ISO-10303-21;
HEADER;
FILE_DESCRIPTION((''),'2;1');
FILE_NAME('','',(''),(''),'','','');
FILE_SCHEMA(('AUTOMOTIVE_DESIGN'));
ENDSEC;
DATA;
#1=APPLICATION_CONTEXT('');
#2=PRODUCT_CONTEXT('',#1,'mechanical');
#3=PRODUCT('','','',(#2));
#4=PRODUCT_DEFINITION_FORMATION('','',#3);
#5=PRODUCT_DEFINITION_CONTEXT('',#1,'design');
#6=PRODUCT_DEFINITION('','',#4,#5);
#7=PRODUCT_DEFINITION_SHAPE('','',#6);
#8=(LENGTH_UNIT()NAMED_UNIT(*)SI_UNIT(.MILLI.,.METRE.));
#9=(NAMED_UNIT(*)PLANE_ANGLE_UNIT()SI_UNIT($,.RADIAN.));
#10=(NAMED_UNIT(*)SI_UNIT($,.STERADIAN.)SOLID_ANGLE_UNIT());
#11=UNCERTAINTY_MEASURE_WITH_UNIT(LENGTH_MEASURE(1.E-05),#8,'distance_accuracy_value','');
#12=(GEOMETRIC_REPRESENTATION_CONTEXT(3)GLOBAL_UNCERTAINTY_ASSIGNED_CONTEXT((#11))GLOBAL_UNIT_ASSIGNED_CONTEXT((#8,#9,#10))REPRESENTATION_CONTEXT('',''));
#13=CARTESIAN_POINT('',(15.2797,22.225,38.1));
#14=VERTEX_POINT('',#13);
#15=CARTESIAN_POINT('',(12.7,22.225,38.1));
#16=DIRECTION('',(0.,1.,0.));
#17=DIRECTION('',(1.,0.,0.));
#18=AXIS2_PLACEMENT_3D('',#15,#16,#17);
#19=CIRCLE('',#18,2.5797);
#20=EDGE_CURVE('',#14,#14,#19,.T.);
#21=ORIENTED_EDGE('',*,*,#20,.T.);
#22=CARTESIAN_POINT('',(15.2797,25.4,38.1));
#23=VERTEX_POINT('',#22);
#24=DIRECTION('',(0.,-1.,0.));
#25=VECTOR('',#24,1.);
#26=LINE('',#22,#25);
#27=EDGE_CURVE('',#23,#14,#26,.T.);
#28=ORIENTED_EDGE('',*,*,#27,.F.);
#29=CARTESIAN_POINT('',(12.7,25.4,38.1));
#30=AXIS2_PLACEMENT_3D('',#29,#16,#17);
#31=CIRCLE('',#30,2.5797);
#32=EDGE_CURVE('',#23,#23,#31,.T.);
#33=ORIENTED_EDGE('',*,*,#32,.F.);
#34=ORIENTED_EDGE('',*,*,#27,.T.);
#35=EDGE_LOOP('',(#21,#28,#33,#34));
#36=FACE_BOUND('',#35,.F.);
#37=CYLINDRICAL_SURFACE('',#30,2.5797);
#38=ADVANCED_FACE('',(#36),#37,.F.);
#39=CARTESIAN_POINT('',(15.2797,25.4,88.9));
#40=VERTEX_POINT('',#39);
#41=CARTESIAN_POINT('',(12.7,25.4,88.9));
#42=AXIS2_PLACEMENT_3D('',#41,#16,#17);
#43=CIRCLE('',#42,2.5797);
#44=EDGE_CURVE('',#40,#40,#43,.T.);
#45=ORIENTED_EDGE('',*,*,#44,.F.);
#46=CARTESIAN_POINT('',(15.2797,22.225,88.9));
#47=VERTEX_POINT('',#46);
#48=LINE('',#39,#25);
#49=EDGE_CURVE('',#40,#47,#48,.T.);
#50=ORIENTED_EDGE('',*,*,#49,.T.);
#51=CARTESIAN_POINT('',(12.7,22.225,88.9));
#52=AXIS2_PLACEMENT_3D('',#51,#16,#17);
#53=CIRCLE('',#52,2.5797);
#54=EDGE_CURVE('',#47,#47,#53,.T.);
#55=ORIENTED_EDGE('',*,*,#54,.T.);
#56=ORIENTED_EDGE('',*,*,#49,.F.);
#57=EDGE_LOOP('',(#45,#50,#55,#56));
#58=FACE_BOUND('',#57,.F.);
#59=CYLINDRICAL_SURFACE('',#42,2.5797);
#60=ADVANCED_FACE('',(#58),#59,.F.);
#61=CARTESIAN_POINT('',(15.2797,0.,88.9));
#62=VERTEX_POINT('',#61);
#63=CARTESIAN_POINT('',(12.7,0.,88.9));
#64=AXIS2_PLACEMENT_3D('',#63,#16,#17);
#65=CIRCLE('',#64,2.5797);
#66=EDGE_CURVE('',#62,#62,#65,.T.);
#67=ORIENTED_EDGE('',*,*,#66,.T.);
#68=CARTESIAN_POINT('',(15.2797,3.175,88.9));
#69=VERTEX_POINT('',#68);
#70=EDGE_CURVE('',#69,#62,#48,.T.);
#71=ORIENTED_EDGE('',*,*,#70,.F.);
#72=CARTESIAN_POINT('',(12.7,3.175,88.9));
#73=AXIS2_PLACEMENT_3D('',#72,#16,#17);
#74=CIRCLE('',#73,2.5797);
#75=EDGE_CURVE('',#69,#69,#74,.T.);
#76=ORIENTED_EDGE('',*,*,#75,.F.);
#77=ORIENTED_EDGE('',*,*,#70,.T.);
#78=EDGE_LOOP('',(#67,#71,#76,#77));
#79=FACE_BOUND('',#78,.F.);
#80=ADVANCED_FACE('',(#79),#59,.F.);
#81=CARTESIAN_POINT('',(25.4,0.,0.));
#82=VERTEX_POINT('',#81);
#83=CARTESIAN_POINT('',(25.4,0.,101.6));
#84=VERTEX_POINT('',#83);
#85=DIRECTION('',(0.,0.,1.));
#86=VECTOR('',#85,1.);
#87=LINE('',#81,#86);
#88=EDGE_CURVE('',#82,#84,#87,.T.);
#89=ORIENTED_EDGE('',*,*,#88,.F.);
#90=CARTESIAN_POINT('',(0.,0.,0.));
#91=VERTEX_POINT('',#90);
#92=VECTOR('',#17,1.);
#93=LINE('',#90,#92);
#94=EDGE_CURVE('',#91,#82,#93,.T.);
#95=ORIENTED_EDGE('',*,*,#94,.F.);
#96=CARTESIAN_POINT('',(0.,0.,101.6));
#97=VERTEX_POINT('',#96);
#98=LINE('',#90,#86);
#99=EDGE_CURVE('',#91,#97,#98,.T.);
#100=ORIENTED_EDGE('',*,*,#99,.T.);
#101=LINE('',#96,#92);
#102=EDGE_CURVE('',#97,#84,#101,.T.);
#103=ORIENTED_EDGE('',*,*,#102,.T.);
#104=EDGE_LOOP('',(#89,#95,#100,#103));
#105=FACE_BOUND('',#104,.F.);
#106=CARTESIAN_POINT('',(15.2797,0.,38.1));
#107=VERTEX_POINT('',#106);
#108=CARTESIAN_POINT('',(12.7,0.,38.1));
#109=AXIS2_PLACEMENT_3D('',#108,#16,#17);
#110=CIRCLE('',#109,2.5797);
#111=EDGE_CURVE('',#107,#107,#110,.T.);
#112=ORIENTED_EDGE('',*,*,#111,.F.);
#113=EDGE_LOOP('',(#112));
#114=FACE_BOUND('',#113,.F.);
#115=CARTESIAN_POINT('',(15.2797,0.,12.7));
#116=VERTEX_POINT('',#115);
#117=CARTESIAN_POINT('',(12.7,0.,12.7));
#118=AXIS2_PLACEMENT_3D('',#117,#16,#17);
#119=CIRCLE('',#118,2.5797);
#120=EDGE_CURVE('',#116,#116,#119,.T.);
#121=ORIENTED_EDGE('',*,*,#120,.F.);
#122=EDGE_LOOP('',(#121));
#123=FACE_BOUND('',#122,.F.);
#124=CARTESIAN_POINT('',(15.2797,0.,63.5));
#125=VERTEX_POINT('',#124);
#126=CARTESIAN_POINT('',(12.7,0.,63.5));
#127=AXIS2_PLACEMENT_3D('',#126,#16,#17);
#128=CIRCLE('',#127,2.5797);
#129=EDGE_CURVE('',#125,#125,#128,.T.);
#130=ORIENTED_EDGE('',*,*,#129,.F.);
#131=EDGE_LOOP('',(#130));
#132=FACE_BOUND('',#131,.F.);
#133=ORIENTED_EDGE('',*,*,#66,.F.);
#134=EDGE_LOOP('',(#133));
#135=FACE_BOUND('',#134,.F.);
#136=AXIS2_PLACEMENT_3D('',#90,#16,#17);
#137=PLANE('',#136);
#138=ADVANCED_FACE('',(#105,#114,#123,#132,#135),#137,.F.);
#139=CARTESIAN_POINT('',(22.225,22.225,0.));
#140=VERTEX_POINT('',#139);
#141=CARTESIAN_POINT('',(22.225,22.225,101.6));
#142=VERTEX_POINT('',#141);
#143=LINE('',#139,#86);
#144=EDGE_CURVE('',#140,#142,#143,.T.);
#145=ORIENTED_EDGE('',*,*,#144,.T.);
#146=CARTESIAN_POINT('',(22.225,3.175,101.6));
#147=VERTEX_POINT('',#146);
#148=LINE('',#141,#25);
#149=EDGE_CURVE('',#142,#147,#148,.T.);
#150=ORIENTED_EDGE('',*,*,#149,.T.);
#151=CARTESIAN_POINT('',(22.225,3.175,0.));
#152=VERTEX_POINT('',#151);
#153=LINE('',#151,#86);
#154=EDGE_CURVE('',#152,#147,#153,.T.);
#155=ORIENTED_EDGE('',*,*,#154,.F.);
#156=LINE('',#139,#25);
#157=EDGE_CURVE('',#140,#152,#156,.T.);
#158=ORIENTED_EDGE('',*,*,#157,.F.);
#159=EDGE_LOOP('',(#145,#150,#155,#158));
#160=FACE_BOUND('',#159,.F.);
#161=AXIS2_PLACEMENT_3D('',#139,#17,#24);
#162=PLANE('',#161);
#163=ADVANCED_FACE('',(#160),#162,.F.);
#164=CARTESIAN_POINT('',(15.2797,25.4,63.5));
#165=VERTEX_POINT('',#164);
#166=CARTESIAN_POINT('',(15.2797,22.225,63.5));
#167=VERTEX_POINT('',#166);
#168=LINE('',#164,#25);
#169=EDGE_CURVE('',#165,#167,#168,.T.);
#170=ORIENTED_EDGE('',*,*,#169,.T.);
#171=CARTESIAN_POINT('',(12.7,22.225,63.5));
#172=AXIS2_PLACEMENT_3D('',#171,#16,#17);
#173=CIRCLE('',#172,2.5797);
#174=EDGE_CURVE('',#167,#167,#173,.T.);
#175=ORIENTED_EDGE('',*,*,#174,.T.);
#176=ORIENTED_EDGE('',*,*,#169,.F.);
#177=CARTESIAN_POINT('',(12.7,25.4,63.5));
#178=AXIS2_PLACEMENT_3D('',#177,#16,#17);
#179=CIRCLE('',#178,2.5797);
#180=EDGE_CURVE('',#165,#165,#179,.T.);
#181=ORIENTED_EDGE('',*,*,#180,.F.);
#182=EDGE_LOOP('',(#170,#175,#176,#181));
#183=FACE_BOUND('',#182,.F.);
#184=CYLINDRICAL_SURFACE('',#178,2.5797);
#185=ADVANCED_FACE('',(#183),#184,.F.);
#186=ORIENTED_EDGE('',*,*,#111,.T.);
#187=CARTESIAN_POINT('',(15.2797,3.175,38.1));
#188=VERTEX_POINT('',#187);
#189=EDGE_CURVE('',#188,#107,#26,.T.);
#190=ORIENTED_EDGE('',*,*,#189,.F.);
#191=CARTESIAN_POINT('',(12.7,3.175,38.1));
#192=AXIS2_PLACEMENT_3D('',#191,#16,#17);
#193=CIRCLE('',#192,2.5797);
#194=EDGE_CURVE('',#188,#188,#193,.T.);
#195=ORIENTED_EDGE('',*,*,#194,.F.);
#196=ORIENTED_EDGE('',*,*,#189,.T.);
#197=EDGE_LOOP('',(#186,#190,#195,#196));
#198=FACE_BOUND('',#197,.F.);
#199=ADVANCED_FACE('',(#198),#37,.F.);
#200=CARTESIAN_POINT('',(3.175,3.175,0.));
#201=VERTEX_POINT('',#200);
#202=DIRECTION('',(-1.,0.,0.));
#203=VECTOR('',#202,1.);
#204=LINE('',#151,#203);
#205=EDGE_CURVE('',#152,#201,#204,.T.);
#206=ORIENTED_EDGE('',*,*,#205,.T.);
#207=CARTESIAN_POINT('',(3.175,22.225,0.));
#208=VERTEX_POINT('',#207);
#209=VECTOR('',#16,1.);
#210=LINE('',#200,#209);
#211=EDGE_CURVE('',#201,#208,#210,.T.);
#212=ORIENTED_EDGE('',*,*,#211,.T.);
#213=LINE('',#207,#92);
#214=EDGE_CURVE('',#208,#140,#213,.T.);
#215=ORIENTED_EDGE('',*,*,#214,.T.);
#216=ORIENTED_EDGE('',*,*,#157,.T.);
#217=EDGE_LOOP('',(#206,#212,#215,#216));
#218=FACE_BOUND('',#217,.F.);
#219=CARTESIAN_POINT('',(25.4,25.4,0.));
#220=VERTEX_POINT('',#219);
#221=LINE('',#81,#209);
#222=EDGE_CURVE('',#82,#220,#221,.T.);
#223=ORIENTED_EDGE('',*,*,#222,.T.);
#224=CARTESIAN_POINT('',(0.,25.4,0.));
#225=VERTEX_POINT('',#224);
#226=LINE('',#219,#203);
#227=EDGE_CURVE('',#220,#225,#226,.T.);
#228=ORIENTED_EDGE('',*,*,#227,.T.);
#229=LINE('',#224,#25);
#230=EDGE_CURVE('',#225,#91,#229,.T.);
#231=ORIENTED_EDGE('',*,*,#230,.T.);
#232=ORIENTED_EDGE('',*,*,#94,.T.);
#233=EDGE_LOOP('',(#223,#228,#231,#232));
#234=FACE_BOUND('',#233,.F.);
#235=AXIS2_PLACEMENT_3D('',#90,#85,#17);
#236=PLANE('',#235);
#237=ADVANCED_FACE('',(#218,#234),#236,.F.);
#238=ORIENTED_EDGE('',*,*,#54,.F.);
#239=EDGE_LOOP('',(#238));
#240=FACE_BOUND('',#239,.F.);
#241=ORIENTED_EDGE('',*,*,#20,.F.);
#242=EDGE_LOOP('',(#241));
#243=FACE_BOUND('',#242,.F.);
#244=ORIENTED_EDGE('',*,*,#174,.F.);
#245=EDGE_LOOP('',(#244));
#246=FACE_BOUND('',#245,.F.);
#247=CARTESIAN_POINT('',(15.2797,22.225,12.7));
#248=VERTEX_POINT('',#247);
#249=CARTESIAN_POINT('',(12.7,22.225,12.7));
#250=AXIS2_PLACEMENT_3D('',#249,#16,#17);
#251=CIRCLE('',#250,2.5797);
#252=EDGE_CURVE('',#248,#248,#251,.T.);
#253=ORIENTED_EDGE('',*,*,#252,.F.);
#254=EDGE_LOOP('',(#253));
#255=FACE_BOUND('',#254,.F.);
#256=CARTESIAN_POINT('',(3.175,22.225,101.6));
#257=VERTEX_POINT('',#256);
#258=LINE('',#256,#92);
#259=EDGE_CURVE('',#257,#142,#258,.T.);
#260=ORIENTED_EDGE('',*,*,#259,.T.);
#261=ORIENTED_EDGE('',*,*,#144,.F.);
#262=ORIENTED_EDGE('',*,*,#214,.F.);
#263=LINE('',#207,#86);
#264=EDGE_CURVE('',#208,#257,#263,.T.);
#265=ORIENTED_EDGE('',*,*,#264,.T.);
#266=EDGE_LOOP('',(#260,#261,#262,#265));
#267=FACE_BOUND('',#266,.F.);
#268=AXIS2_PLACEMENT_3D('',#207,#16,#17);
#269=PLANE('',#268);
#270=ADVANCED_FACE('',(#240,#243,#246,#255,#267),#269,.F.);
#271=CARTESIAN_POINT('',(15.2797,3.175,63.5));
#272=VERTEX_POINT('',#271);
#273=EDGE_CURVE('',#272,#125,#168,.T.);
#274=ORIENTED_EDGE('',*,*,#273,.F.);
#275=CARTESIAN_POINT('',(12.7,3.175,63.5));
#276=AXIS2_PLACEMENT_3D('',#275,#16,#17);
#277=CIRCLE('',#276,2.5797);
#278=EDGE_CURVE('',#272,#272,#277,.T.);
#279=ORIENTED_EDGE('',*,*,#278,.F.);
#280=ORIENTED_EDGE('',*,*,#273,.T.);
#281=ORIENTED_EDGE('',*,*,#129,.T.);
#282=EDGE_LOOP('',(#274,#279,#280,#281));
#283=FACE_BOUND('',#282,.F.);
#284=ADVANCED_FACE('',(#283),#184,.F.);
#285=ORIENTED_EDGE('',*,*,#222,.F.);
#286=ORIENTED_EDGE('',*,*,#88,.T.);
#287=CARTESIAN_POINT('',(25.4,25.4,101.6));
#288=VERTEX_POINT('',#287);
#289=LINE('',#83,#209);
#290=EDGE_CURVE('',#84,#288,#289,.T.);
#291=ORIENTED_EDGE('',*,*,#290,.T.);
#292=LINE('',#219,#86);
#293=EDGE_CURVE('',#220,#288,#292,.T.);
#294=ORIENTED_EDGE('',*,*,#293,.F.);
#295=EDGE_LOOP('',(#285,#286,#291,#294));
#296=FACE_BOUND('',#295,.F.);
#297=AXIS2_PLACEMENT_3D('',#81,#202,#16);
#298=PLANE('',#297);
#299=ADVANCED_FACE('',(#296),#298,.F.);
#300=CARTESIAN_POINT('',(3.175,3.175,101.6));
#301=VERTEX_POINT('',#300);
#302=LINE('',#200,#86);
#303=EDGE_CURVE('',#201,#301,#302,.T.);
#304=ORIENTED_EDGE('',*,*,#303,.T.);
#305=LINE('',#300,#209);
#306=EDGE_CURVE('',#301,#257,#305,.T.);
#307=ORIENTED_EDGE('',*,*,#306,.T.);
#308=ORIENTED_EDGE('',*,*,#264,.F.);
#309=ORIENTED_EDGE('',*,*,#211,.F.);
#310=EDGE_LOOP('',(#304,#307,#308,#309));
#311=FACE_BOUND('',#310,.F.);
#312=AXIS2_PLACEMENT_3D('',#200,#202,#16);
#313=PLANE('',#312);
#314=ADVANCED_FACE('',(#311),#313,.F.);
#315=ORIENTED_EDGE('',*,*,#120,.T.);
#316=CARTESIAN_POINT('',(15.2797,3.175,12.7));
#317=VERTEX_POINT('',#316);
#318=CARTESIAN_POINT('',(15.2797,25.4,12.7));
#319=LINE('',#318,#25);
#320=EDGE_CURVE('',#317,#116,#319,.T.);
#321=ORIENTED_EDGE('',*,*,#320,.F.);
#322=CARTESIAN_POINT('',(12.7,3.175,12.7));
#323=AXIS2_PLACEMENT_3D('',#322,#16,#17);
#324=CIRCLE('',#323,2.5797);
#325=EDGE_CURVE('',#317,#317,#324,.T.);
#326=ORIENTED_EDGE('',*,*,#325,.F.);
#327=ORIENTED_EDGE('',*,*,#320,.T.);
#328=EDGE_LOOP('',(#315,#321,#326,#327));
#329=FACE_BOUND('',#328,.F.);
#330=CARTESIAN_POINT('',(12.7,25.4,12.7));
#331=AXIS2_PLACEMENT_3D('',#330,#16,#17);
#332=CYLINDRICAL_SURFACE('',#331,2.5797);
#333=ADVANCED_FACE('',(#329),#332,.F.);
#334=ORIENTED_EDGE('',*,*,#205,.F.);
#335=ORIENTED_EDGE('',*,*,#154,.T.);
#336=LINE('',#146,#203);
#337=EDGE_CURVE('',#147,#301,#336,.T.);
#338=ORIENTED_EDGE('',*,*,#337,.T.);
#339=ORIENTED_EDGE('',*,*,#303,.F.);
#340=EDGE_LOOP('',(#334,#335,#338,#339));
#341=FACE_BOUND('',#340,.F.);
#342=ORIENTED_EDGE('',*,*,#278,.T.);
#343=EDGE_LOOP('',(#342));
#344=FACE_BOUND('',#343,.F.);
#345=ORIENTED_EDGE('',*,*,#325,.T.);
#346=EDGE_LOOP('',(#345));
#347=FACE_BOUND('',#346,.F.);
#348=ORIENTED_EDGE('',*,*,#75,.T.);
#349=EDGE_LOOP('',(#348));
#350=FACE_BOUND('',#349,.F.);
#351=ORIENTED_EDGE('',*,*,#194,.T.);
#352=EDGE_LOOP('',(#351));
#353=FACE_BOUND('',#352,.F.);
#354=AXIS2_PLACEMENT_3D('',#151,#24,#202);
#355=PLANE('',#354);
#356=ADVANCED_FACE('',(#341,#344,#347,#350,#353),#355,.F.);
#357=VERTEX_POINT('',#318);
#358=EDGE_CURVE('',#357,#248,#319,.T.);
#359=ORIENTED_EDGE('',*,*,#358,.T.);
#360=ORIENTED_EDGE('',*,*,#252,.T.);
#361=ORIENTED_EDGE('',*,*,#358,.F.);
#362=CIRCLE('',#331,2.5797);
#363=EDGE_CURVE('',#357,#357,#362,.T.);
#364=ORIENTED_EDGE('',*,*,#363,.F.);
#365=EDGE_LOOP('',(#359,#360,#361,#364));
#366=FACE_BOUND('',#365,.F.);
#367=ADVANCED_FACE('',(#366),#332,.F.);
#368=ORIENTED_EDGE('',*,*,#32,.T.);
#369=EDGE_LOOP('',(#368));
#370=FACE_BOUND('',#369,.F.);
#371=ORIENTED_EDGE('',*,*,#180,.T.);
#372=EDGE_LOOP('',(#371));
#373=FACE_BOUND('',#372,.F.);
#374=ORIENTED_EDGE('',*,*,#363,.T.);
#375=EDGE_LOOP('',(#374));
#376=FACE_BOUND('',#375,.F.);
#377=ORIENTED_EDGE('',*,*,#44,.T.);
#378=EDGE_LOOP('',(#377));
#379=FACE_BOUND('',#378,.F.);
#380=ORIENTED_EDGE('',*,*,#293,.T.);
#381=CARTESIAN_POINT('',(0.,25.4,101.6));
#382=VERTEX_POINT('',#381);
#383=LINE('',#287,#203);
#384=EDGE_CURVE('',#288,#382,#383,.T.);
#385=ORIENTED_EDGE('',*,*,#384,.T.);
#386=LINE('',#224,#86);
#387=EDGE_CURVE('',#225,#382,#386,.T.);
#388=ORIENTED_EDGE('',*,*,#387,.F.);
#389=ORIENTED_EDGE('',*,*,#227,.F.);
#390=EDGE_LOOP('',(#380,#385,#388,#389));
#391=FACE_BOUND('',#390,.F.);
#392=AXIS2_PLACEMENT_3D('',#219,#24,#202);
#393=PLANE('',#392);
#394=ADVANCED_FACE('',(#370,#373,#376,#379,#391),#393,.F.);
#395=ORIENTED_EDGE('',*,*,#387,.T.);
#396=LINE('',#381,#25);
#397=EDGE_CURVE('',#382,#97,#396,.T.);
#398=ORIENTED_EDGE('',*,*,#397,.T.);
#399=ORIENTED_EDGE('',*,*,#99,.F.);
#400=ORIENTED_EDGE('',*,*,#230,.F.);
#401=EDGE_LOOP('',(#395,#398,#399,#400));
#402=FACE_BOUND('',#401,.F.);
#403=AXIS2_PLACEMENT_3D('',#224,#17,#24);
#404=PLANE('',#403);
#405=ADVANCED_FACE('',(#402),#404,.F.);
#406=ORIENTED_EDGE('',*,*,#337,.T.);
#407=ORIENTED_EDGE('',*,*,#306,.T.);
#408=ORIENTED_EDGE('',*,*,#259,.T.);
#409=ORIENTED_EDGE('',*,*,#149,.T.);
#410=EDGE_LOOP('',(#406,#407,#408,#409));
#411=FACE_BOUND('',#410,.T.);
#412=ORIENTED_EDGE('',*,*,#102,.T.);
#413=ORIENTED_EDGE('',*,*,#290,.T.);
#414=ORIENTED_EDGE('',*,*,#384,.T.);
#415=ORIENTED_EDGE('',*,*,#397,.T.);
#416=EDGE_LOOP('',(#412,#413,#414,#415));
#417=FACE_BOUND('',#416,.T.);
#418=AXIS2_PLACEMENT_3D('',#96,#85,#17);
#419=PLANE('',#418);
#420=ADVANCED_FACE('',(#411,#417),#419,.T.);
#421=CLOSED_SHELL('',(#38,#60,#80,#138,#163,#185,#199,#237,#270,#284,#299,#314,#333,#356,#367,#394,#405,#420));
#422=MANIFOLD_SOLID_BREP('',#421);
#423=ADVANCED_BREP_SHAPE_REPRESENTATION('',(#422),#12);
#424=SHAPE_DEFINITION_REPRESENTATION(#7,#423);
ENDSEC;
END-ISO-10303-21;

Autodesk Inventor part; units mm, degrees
ref_plane "YZ Plane" through (0, 0, 0) normal (1, 0, 0) x (0, 1, 0)
ref_plane "XZ Plane" through (0, 0, 0) normal (0, 1, 0) x (-1, 0, 0)
ref_plane "XY Plane" through (0, 0, 0) normal (0, 0, 1) x (1, 0, 0)
sketch "Sketch1" plane through (0, 0, 0) normal (0, 0, 1) x (1, 0, 0)
  line L0 (0, 0) -> (25.4, 0)
  line L1 (25.4, 0) -> (25.4, 25.4)
  line L2 (25.4, 25.4) -> (0, 25.4)
  line L3 (0, 25.4) -> (0, 0)
  line L4 (3.175, 22.225) -> (22.225, 22.225)
  line L5 (22.225, 22.225) -> (22.225, 3.175)
  line L6 (22.225, 3.175) -> (3.175, 3.175)
  line L7 (3.175, 3.175) -> (3.175, 22.225)
  dimension "d0" = 25.4
  dimension "d1" = 25.4
  dimension "d2" = 3.175
extrude "Extrusion1" add sketch "Sketch1" along normal blind 101.6
sketch "Sketch2" plane through (0, 25.4, 0) normal (0, 1, 0) x (1, 0, 0)
  line L0 (0, 0) -> (25.4, 0) construction
  line L1 (12.7, 0) -> (12.7, -12.7) construction
  line L2 (12.7, -12.7) -> (12.7, -38.1) construction
  line L3 (12.7, -38.1) -> (12.7, -63.5) construction
  line L4 (12.7, -63.5) -> (12.7, -88.9) construction
  circle A0 centre (12.7, -88.9) radius 2.5797
  circle A1 centre (12.7, -63.5) radius 2.5797
  circle A2 centre (12.7, -38.1) radius 2.5797
  circle A3 centre (12.7, -12.7) radius 2.5797
  dimension "d5" = 12.7
  dimension "d6" = 25.4
  dimension "d7" = 25.4
  dimension "d8" = 25.4
  dimension "d9" = 5.1594
extrude "Extrusion2" cut sketch "Sketch2" against normal blind 101.6
properties part number "4in 1x1"
